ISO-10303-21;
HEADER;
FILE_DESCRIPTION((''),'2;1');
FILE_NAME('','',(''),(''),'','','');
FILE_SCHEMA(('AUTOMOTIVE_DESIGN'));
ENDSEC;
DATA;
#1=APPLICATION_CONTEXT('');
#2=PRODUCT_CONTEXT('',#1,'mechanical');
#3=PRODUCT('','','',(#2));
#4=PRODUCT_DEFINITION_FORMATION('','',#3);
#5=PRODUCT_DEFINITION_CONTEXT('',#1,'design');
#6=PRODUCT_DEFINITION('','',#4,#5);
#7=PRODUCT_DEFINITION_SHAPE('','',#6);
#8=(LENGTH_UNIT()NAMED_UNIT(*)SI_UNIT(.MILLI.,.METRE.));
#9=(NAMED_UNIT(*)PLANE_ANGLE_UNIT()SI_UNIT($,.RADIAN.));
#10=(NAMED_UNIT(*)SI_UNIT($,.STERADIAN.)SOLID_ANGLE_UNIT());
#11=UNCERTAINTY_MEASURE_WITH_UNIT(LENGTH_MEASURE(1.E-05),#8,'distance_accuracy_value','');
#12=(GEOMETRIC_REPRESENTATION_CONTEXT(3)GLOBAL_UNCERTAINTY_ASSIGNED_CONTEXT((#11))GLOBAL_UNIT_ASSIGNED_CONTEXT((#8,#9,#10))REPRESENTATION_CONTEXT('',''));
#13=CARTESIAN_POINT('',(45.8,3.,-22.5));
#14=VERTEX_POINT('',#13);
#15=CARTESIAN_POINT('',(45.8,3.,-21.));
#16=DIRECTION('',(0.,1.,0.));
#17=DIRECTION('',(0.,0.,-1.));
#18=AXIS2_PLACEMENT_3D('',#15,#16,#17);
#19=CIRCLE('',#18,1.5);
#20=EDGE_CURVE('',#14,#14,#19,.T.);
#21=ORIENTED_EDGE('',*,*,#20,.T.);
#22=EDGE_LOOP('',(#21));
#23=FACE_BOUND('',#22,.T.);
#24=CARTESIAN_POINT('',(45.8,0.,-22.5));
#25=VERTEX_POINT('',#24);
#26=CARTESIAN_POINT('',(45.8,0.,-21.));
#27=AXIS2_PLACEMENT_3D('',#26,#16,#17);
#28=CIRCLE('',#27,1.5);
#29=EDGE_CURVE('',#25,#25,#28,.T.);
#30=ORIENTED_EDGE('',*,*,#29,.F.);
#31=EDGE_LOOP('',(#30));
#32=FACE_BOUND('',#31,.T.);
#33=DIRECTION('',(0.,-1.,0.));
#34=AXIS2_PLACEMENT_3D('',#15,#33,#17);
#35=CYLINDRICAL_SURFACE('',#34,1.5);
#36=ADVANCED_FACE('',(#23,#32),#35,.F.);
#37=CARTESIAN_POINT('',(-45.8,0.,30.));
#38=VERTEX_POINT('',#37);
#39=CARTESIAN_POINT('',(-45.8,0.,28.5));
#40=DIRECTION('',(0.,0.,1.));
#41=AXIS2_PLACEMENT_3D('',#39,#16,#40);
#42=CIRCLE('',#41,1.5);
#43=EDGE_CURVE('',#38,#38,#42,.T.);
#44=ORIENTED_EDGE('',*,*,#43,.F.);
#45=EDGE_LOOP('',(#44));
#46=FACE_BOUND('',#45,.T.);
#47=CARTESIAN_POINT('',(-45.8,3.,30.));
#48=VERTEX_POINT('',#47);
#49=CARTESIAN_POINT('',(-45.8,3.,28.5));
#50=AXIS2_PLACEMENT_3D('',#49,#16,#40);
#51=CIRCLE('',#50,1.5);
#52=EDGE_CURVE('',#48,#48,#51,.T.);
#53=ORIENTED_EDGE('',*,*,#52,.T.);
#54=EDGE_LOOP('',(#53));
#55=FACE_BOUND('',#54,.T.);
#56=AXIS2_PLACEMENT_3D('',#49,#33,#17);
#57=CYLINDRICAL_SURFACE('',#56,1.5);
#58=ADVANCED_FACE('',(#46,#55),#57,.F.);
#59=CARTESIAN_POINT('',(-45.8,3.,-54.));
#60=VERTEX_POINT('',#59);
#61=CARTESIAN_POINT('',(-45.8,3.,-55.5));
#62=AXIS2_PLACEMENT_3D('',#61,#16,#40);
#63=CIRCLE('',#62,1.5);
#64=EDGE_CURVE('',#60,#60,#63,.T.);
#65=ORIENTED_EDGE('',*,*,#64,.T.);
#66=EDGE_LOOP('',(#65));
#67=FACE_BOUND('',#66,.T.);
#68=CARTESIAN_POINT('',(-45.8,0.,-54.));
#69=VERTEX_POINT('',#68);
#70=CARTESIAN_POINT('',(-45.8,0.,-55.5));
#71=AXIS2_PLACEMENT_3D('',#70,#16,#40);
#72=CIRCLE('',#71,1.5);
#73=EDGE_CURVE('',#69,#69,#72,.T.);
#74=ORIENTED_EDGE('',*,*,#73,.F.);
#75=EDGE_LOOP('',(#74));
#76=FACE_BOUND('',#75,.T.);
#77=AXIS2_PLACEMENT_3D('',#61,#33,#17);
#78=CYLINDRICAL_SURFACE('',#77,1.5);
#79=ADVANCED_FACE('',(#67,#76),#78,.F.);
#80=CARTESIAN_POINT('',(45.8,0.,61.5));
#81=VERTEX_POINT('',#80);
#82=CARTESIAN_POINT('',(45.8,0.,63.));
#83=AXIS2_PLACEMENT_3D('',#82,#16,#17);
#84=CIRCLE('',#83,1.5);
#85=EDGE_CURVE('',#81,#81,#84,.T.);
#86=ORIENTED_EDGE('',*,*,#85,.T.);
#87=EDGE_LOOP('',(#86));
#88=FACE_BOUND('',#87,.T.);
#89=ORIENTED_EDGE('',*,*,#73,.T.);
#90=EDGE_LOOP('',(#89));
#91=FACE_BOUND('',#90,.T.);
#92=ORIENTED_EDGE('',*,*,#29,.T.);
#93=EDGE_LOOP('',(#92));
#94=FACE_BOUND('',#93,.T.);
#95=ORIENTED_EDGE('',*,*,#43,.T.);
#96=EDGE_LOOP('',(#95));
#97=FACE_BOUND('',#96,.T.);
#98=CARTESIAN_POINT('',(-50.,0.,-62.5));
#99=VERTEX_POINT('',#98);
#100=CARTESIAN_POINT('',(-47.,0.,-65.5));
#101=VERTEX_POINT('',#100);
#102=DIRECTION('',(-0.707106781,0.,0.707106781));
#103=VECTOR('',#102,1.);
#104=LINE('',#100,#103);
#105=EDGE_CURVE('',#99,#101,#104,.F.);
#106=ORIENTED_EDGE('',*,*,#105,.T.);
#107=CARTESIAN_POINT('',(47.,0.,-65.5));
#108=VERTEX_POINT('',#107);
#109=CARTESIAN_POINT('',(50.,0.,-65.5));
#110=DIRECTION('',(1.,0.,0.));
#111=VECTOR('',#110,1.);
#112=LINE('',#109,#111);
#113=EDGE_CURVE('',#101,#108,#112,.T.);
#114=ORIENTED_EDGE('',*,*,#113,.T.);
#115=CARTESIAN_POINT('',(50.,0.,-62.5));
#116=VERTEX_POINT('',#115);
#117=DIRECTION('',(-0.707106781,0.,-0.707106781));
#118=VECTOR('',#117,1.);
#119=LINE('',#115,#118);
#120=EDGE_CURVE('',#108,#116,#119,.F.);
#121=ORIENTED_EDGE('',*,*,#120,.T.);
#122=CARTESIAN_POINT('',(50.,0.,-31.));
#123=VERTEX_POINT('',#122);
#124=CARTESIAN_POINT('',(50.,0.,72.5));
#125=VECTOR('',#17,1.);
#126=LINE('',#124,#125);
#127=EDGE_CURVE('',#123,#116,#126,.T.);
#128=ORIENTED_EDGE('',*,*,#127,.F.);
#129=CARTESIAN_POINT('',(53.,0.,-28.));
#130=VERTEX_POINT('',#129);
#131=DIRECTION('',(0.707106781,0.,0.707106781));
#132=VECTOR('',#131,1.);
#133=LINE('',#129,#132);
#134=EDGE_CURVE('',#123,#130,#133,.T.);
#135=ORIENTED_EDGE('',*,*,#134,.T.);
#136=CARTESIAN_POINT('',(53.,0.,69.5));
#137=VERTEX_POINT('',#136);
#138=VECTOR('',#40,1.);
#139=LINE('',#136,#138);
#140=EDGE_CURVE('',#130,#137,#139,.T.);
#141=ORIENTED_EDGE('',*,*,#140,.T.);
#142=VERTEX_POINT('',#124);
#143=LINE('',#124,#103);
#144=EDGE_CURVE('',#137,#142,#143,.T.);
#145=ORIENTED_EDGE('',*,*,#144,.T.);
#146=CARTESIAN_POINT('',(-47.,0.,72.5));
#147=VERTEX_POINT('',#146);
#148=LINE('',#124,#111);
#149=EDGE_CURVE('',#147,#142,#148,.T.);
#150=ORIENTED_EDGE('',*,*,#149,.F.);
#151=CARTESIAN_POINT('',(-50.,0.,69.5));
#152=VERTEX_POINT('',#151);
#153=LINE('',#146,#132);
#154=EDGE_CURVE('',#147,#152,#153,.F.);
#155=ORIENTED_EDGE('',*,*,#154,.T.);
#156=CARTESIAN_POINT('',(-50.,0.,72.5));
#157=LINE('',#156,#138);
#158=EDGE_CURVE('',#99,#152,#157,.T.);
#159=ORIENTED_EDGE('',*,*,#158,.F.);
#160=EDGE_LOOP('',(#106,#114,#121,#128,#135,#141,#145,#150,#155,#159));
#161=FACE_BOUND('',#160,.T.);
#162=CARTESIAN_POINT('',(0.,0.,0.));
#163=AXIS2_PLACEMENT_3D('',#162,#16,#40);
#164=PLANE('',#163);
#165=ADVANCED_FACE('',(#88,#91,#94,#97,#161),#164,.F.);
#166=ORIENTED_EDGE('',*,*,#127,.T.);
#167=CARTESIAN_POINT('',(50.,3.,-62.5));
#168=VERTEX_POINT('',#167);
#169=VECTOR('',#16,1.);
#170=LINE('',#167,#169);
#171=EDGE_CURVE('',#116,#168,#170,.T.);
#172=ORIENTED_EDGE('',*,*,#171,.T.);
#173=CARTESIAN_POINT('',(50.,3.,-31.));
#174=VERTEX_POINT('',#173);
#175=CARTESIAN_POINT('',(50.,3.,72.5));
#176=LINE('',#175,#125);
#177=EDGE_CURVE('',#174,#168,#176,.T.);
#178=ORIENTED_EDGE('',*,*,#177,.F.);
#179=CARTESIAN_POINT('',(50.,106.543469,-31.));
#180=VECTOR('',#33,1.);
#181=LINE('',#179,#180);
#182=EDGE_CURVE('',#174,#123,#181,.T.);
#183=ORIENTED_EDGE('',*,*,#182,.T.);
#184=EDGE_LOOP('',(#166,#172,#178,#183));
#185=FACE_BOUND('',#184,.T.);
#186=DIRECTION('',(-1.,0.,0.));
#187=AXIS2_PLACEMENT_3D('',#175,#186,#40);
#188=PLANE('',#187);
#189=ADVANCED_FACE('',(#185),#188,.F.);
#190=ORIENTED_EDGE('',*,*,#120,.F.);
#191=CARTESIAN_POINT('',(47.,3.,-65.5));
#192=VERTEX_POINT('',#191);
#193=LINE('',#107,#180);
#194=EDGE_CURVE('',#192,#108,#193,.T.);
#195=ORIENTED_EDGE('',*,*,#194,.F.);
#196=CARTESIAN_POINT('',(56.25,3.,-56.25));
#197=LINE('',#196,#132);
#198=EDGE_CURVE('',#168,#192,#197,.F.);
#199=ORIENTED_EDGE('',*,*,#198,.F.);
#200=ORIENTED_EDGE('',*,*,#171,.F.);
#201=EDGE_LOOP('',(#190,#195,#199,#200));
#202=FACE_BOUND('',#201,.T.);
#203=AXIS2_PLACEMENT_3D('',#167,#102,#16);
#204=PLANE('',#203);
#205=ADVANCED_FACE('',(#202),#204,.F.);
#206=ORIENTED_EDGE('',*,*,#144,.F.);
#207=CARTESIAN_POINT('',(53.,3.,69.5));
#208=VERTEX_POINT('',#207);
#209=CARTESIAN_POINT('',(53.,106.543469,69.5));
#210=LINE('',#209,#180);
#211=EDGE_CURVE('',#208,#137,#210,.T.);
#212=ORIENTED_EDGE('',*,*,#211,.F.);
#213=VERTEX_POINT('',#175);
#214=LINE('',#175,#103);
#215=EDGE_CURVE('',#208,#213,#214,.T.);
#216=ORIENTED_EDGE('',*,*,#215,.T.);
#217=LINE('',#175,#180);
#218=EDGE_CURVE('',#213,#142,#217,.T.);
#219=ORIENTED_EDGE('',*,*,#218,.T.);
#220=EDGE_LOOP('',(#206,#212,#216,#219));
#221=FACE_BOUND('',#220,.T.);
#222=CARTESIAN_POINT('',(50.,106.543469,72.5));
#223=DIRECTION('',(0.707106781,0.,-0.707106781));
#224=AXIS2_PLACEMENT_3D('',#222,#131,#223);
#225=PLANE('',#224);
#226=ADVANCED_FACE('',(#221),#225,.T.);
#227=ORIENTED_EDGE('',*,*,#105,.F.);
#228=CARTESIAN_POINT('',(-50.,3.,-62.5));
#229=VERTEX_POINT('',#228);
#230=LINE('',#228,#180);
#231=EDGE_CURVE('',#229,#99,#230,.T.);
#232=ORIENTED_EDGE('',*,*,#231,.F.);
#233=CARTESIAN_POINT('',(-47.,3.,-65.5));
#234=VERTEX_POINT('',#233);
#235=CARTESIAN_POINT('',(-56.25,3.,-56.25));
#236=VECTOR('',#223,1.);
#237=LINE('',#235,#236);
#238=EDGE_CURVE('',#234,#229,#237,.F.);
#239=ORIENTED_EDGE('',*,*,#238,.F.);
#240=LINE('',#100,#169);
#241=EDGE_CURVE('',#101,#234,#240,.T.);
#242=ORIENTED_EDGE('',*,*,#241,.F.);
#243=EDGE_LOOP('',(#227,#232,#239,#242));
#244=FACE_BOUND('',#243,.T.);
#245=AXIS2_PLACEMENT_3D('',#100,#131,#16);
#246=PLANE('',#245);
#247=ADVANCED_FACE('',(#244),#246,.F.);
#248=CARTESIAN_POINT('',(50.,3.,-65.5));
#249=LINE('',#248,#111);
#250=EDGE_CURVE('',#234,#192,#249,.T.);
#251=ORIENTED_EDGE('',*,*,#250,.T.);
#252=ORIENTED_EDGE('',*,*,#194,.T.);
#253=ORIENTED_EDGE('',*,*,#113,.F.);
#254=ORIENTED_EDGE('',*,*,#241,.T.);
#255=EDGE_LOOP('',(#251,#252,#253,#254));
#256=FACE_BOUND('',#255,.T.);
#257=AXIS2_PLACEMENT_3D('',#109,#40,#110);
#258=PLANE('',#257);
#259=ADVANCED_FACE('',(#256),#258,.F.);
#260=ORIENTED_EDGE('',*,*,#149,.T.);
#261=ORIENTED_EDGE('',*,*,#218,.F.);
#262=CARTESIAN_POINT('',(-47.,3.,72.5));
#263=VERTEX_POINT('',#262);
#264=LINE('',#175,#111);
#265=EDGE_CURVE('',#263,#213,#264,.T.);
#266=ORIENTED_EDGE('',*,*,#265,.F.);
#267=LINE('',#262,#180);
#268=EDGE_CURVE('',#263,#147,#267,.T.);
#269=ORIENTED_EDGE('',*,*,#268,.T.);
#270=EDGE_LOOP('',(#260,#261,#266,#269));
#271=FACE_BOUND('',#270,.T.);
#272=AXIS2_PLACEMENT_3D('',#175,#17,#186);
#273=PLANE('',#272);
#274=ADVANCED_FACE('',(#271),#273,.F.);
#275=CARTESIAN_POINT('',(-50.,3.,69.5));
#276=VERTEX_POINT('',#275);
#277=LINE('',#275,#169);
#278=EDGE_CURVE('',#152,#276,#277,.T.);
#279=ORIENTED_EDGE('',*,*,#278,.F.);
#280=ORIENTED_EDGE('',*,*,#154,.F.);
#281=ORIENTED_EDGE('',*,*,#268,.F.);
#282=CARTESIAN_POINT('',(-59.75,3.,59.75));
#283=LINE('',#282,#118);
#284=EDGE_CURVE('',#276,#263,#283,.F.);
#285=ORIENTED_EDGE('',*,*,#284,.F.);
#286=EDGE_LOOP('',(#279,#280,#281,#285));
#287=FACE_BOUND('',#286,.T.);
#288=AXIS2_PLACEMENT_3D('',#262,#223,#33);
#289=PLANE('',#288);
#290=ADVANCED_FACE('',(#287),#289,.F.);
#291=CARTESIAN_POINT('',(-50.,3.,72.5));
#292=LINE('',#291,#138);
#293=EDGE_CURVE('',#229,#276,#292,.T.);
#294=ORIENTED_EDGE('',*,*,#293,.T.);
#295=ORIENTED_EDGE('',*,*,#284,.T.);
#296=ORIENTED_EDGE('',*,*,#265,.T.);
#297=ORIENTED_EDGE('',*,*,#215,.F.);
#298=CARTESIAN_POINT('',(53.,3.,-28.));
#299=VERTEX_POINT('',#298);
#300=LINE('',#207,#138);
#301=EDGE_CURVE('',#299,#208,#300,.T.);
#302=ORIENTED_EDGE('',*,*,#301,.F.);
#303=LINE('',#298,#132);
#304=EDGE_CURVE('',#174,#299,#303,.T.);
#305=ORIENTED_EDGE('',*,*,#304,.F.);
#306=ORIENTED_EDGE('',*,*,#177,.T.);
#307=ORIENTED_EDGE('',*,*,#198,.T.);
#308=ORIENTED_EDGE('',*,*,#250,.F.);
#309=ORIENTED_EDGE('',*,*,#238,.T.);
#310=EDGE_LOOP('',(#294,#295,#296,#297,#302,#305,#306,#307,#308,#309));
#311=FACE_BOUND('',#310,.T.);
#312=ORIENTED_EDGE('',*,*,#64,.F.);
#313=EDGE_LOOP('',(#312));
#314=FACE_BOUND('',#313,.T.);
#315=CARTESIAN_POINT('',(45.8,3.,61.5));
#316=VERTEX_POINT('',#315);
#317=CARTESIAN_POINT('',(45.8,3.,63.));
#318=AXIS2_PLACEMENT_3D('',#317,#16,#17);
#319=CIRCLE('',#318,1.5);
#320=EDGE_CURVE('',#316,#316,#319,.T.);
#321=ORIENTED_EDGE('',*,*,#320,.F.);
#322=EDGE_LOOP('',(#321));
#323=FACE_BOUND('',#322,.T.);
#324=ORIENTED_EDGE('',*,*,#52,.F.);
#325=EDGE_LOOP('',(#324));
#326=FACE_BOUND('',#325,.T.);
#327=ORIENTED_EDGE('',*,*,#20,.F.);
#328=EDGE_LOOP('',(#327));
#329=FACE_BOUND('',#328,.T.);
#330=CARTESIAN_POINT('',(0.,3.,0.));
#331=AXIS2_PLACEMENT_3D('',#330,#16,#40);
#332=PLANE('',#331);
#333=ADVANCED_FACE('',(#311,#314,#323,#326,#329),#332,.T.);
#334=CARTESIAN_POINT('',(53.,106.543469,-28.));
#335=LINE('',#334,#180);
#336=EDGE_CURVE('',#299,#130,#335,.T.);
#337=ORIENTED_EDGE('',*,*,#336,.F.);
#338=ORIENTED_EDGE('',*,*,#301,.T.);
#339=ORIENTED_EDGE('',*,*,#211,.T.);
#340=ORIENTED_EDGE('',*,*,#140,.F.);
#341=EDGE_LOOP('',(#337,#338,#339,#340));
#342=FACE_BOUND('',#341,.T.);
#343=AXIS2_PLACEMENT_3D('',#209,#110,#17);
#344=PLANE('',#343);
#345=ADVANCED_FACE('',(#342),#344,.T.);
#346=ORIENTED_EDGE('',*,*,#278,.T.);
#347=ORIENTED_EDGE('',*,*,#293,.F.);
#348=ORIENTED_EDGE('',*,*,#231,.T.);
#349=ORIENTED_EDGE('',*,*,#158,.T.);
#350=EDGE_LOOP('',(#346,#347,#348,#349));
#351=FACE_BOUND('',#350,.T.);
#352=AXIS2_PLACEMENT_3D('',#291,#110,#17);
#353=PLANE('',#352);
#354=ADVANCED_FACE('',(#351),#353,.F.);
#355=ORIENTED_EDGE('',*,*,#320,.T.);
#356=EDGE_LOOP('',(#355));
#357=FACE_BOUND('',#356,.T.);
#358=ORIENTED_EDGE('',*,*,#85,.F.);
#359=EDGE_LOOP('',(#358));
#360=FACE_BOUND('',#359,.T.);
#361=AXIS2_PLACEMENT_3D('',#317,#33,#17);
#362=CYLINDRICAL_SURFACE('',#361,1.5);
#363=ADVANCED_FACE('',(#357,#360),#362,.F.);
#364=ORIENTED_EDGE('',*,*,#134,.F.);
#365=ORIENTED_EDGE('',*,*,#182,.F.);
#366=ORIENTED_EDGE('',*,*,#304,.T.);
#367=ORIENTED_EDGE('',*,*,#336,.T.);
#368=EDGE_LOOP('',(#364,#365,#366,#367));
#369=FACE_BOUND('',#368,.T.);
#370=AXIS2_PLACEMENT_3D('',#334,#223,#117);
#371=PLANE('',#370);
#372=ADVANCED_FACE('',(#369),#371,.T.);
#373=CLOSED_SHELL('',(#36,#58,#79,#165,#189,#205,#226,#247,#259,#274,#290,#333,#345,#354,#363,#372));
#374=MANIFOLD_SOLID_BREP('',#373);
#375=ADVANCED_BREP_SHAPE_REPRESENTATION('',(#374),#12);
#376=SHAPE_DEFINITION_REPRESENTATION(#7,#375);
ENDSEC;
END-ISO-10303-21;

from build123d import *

# Parameters (mm, degrees)
SKETCH1_W           = 100
SKETCH1_H           = 145
SKETCH1_R           = 1.5
BOSS_EXTRUDE1_DEPTH = 3
SKETCH2_W           = 100
SKETCH2_H           = 7
CUT_EXTRUDE1_DEPTH  = 89.120655921
BOSS_EXTRUDE2_DEPTH = 3
CHAMFER1_SIZE       = 3
CHAMFER2_SIZE       = 3


with BuildPart() as part:
    # Sketch1 → Boss-Extrude1 (new body)
    with BuildSketch(Plane(origin=(0, 0, 0), x_dir=(1, 0, 0), z_dir=(0, 1, 0))):
        Rectangle(SKETCH1_W, SKETCH1_H)
        with Locations(Location((-45.8, 55.5, 0), (0, 0, 270))):
            Circle(SKETCH1_R, mode=Mode.SUBTRACT)
        with Locations(Location((-45.8, -28.5, 0), (0, 0, 270))):
            Circle(SKETCH1_R, mode=Mode.SUBTRACT)
        with Locations(Location((45.8, -63, 0), (0, 0, 90))):
            Circle(SKETCH1_R, mode=Mode.SUBTRACT)
        with Locations(Location((45.8, 21, 0), (0, 0, 90))):
            Circle(SKETCH1_R, mode=Mode.SUBTRACT)
    extrude(amount=BOSS_EXTRUDE1_DEPTH)

    # Sketch2 → Cut-Extrude1 (cut, through all)
    with BuildSketch(Plane(origin=(0, 3, 0), x_dir=(1, 0, 0), z_dir=(0, 1, 0))):
        with Locations((0, 69)):
            Rectangle(SKETCH2_W, SKETCH2_H)
    extrude(amount=-CUT_EXTRUDE1_DEPTH, mode=Mode.SUBTRACT)

    # Sketch3 → Boss-Extrude2 (add)
    with BuildSketch(Plane.XZ):
        Polygon((50, 72.5), (53, 69.5), (53, -28), (50, -31), align=None)
    extrude(amount=-BOSS_EXTRUDE2_DEPTH)

    # Chamfer1
    chamfer1_edges = [part.edges().sort_by_distance(p)[0] for p in [
        (-50, 1.5, -65.5),
        (50, 1.5, -65.5),
    ]]
    chamfer(chamfer1_edges, length=CHAMFER1_SIZE)

    # Chamfer2
    chamfer2_edges = [part.edges().sort_by_distance(p)[0] for p in [
        (-50, 1.5, 72.5),
    ]]
    chamfer(chamfer2_edges, length=CHAMFER2_SIZE)


solid = part.part
